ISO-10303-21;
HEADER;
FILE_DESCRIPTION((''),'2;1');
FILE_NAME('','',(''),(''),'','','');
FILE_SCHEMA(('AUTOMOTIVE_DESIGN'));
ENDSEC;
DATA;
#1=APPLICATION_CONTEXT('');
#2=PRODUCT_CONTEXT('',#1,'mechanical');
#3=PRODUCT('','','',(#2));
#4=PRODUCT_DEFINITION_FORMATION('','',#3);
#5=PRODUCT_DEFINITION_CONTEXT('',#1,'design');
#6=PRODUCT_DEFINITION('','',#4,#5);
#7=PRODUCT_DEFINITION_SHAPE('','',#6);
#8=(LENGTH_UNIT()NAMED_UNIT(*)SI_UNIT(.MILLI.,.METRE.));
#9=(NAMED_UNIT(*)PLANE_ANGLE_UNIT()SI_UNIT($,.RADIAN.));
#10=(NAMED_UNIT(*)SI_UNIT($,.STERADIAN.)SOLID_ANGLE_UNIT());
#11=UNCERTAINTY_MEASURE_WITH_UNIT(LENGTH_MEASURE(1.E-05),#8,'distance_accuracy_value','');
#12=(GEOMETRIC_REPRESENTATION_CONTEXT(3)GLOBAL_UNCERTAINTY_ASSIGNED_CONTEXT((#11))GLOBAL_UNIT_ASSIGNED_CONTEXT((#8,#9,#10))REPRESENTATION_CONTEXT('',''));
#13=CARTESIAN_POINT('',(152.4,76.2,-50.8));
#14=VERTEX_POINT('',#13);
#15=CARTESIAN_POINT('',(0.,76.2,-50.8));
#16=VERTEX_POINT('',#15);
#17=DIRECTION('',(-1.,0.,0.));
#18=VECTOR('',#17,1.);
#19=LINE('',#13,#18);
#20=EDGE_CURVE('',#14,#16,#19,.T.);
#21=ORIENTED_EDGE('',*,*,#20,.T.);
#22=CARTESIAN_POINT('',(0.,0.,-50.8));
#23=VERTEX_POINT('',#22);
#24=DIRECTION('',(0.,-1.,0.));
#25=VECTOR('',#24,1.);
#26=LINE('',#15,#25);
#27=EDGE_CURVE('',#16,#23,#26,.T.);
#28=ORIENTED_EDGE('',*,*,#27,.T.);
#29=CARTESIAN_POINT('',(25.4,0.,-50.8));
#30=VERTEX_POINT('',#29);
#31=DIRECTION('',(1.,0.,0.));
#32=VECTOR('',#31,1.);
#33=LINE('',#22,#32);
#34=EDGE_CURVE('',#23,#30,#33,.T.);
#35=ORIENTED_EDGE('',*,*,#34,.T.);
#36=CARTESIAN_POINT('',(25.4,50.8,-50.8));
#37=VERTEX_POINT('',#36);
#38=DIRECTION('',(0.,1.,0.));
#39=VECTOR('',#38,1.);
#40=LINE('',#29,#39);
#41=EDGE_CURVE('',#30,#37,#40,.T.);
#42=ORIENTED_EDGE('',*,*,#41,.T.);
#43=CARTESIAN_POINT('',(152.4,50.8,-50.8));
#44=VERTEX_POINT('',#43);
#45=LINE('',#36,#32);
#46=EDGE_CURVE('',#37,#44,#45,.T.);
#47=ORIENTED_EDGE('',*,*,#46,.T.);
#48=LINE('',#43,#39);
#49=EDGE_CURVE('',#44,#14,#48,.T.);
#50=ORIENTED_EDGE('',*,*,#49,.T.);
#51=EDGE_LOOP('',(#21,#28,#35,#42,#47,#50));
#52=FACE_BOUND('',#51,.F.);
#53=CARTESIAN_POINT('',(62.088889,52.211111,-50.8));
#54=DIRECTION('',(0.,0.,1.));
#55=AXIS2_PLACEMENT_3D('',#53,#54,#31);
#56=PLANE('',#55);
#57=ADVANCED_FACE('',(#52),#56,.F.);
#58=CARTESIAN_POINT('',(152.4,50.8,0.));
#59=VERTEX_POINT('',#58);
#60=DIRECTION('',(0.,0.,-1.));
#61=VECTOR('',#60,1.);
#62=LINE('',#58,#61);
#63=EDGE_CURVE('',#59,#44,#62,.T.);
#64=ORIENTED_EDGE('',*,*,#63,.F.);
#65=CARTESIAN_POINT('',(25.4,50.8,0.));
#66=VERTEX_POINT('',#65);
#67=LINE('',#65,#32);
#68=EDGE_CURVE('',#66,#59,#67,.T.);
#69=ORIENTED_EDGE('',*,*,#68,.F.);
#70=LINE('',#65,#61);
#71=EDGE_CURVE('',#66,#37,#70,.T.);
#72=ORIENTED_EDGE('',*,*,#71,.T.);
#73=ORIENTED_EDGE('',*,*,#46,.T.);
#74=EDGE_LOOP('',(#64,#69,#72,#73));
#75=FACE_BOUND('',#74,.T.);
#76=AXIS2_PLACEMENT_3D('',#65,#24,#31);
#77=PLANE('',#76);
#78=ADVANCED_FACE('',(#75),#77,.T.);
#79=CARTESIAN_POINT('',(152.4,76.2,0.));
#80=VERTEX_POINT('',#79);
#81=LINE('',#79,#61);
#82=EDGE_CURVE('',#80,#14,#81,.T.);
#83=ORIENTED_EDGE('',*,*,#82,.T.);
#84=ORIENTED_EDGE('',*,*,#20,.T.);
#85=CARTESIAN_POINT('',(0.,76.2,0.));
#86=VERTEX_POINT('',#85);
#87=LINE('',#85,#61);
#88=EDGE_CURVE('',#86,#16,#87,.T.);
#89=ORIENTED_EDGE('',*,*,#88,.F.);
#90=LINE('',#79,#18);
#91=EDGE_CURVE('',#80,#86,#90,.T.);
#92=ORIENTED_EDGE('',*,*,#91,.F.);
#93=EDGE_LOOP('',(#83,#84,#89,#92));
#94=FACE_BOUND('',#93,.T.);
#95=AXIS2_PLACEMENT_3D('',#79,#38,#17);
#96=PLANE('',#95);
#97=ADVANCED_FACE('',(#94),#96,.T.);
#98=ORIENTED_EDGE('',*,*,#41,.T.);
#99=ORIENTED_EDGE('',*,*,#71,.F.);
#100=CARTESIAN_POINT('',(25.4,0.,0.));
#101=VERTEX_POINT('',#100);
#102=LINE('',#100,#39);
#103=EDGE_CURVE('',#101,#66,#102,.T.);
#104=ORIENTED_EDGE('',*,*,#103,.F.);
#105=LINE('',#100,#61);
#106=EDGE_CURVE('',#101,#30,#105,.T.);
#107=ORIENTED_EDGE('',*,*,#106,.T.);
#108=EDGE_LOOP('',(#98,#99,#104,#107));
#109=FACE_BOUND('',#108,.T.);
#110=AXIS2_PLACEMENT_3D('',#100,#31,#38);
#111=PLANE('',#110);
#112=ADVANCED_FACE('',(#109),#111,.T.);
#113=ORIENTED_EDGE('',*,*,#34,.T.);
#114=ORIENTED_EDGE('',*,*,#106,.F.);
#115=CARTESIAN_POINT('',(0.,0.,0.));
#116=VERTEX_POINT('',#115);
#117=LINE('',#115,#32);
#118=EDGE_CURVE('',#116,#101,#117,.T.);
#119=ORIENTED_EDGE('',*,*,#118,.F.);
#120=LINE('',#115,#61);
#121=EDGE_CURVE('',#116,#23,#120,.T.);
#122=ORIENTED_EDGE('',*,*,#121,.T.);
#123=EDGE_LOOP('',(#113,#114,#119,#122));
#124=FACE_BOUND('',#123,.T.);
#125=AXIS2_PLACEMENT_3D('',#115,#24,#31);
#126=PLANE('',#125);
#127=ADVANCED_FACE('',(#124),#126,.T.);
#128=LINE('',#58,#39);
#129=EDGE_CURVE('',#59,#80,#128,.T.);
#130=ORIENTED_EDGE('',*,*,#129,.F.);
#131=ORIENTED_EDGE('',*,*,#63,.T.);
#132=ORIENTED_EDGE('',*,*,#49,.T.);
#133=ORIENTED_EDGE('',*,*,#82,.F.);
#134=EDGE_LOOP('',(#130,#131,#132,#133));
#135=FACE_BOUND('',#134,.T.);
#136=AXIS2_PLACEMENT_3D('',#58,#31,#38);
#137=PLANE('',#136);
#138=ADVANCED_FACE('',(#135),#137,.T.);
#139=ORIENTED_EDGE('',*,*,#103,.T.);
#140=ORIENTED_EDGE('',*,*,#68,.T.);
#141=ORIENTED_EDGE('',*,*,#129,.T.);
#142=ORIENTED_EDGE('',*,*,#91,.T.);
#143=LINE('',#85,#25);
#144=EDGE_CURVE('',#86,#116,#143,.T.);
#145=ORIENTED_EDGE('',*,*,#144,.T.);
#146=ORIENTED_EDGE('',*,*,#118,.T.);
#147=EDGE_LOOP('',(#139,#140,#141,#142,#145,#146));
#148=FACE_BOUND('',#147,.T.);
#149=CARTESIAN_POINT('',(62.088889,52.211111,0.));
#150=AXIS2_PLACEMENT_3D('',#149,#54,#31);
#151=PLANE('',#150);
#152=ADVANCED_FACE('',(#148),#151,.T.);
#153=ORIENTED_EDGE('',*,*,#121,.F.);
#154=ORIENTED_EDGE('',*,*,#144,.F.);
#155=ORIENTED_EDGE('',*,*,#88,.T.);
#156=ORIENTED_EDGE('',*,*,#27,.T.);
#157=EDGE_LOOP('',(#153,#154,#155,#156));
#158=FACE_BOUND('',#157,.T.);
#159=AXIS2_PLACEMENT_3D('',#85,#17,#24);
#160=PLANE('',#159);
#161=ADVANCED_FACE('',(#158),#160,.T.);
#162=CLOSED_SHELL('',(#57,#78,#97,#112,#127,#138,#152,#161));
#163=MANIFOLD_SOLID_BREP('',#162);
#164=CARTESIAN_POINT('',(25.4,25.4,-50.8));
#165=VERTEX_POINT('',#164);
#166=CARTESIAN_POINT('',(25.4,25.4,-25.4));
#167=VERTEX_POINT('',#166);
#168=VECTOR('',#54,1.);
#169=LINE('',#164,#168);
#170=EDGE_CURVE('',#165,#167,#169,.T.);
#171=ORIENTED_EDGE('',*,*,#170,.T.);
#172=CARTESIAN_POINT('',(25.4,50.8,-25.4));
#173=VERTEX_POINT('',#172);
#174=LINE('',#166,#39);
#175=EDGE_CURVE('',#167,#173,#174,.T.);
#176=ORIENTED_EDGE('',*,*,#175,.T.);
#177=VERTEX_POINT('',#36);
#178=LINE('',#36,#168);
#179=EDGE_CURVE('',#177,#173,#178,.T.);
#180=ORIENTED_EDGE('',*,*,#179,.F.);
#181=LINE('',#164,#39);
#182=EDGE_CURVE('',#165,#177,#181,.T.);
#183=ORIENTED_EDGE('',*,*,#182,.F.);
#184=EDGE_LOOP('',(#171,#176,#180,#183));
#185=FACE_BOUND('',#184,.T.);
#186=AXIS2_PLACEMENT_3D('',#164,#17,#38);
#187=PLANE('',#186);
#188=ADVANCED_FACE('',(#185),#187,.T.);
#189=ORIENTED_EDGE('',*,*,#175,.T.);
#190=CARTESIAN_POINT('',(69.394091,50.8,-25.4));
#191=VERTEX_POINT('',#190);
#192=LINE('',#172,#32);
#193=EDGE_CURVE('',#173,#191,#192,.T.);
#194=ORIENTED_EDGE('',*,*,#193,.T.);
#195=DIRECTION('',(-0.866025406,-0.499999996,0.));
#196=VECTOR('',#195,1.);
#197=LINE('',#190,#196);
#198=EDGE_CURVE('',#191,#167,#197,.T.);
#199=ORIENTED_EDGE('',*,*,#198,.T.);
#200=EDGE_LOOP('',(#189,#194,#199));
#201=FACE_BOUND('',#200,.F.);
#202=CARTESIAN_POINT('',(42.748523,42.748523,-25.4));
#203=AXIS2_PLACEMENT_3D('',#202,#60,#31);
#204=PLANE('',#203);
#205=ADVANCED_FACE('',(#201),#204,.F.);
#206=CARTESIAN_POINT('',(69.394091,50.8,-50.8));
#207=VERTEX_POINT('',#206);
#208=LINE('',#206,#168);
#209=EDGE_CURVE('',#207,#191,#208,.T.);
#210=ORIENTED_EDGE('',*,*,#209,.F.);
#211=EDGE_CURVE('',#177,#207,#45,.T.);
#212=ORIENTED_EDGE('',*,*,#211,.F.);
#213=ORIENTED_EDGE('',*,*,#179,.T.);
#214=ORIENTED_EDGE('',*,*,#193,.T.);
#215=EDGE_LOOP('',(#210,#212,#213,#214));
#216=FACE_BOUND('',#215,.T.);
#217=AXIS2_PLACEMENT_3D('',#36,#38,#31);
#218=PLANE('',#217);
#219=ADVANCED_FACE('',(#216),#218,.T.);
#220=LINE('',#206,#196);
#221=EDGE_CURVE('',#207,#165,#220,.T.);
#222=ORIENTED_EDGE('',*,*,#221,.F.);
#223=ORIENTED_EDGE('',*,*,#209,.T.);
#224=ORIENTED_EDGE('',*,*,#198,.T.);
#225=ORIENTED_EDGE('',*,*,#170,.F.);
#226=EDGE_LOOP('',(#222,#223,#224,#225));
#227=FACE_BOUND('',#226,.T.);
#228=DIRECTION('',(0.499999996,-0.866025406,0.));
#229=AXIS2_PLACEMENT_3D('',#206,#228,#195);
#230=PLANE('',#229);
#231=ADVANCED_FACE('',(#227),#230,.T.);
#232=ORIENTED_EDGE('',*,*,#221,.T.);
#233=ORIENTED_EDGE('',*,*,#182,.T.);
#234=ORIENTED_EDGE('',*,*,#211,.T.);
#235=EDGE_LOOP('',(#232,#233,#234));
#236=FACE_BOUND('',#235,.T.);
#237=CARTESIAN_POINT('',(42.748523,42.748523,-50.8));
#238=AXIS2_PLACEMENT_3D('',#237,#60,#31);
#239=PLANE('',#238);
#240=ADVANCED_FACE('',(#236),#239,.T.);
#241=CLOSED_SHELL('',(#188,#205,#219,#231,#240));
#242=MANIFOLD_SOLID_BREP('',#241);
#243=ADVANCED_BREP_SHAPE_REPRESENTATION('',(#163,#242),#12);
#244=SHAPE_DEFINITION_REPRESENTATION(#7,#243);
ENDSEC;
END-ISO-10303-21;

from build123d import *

# Parameters (mm, degrees)
F1_DEPTH = 50.8
F3_DEPTH = 25.4


with BuildPart() as f1:
    # F0 (on Top) → F1 (new body)
    with BuildSketch(Plane.XY):
        Polygon((0, 76.2), (0, 0), (25.4, 0), (25.4, 50.8), (152.4, 50.8), (152.4, 76.2), align=None)
    extrude(amount=-F1_DEPTH)


with BuildPart() as f3:
    # F2 (on face) → F3 (new body)
    with BuildSketch(Plane(origin=(0, 0, -50.8), x_dir=(1, 0, 0), z_dir=(0, 0, -1))):
        Polygon((69.394091, -50.8), (25.4, -25.4), (25.4, -50.8), align=None)
    extrude(amount=-F3_DEPTH)


solid = Compound([f1.part, f3.part])
